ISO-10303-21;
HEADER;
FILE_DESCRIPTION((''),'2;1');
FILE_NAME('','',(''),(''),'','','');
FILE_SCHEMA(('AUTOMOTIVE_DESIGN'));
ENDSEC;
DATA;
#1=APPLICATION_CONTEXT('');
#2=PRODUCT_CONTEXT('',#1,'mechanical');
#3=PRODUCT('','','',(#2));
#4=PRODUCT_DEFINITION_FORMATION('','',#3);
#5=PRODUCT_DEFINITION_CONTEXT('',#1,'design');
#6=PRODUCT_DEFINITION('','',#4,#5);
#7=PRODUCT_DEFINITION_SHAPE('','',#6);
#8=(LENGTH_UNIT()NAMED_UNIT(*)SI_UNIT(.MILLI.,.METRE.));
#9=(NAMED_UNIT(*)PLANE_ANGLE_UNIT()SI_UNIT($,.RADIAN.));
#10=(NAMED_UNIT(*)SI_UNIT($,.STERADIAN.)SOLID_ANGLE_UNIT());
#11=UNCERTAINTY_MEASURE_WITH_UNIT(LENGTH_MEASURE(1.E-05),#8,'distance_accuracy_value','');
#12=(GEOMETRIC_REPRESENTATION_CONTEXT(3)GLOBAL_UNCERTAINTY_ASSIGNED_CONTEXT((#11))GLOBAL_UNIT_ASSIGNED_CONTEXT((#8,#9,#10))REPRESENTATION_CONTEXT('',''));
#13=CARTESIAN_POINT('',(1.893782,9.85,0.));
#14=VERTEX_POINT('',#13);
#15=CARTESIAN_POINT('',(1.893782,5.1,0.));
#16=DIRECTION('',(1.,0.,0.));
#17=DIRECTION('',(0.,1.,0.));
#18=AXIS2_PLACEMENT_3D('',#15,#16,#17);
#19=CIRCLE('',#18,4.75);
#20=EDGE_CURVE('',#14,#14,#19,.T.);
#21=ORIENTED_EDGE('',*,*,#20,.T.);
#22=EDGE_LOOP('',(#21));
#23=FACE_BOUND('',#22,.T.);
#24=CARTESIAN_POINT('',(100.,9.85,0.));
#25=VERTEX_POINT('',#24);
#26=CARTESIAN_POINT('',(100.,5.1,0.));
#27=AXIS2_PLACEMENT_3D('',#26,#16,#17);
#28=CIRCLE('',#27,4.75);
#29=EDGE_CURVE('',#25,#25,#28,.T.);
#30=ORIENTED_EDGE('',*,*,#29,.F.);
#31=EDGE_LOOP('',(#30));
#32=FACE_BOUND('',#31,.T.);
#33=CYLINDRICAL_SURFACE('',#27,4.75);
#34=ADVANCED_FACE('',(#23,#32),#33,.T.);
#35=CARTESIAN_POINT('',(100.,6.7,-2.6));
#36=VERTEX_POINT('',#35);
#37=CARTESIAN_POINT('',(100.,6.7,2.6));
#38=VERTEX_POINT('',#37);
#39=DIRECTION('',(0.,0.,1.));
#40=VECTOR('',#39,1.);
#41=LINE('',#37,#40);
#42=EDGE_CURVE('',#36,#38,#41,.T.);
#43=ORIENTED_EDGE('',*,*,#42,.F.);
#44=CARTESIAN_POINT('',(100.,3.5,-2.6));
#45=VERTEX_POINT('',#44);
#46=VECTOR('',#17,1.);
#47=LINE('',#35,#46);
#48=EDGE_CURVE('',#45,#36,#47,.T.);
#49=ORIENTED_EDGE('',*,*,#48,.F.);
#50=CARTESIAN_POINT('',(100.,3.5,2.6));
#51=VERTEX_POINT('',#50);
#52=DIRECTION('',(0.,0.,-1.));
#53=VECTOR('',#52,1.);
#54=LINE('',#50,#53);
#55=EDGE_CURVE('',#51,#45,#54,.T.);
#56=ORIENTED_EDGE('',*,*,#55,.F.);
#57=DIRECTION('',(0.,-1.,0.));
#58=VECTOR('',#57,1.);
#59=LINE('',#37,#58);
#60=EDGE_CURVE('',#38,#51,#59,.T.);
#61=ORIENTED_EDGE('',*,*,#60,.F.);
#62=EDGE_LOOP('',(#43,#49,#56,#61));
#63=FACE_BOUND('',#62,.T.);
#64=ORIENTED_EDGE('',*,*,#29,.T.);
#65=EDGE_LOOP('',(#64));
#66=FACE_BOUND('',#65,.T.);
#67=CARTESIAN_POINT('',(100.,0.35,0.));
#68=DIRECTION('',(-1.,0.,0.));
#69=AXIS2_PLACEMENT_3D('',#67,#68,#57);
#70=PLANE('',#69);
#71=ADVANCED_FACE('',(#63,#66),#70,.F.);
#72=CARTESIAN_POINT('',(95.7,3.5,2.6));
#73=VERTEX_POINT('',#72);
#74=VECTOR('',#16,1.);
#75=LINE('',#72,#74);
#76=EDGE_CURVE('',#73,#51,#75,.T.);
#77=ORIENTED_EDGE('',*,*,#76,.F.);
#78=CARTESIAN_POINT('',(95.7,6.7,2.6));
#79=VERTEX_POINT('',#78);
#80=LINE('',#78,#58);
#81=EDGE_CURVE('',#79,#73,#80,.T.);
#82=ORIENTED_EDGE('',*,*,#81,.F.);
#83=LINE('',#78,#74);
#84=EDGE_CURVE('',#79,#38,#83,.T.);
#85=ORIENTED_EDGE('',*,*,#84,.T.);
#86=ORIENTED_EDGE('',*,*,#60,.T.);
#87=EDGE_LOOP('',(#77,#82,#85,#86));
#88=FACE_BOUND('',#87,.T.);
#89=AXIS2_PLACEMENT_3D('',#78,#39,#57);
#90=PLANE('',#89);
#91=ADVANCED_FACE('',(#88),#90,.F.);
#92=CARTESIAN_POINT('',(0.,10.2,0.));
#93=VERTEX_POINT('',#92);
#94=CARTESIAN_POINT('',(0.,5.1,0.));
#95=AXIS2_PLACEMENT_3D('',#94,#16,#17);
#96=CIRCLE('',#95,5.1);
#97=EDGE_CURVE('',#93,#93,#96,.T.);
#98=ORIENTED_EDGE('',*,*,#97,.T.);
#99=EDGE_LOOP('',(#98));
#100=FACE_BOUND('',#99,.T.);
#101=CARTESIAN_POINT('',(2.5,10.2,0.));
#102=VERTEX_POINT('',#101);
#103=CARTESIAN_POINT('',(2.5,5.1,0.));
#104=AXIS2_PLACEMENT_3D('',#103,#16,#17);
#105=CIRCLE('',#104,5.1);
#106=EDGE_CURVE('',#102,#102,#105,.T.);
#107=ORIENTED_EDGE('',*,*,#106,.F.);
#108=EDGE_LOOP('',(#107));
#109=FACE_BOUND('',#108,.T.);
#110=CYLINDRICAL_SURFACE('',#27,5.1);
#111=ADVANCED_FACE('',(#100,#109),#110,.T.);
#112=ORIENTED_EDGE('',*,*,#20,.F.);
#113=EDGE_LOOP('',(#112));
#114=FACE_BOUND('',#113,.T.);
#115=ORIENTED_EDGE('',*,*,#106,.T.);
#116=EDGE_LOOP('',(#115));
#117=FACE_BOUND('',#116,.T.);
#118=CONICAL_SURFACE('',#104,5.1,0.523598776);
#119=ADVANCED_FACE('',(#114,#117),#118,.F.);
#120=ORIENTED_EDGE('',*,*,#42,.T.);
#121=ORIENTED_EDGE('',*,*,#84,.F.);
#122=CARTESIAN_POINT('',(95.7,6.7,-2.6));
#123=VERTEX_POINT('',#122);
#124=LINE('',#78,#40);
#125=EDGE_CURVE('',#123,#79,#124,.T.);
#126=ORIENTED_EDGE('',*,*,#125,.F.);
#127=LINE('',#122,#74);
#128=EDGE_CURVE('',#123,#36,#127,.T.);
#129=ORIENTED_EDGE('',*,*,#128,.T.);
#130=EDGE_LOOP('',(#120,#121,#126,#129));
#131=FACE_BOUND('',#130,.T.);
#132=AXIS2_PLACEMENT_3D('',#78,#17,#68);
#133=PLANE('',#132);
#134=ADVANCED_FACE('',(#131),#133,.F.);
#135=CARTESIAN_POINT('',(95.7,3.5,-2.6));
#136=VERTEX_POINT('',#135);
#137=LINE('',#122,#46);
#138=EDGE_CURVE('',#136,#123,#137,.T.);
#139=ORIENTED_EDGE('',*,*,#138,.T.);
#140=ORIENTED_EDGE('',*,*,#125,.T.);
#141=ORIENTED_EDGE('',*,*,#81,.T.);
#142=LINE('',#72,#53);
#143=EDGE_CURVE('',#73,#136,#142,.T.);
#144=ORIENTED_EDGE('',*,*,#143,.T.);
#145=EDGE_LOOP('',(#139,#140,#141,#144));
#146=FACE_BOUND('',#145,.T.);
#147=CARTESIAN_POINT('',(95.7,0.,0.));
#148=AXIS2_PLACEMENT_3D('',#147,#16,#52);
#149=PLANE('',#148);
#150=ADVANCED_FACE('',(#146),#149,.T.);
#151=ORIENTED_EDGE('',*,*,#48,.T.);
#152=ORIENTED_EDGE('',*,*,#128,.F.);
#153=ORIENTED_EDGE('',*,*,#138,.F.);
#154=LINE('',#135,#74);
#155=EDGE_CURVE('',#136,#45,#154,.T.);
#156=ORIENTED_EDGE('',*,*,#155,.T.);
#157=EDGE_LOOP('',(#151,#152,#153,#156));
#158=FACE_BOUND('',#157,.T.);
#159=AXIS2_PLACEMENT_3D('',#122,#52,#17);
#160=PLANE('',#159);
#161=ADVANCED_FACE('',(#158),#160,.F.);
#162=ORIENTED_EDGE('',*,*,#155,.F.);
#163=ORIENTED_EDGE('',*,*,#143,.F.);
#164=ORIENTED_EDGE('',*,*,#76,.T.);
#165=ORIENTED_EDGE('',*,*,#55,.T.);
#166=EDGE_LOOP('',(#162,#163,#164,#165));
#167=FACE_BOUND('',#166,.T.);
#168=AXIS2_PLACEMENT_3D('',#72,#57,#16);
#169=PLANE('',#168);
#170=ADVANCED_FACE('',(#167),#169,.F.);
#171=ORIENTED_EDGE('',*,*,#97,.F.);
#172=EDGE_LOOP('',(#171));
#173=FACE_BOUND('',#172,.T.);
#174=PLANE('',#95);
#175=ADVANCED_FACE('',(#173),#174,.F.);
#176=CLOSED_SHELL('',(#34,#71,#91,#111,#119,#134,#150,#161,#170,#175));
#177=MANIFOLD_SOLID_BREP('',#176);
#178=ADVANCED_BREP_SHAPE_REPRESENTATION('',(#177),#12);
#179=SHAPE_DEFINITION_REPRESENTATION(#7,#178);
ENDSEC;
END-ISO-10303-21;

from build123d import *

# Parameters (mm, degrees)
SKETCH4_W          = 5.2
SKETCH4_H          = 3.2
CUT_EXTRUDE1_DEPTH = 4.3


with BuildPart() as part:
    # Sketch1 → Revolve2 (revolve)
    with BuildSketch(Plane.XY, mode=Mode.PRIVATE) as revolve2_sk:
        Polygon((0, 0), (2.5, 0), (1.893782217, 0.35), (100, 0.35), (100, 5.1), (0, 5.1), align=None)
    revolve(revolve2_sk.sketch.rotate(Axis((100, 5.1, 0), (-1, 0, 0)), 180), axis=Axis((100, 5.1, 0), (-1, 0, 0)))

    # Sketch4 → Cut-Extrude1 (cut)
    with BuildSketch(Plane(origin=(100, 0, 0), x_dir=(0, 0, -1), z_dir=(1, 0, 0))):
        with Locations((0, 5.1)):
            Rectangle(SKETCH4_W, SKETCH4_H)
    extrude(amount=-CUT_EXTRUDE1_DEPTH, mode=Mode.SUBTRACT)


solid = part.part
